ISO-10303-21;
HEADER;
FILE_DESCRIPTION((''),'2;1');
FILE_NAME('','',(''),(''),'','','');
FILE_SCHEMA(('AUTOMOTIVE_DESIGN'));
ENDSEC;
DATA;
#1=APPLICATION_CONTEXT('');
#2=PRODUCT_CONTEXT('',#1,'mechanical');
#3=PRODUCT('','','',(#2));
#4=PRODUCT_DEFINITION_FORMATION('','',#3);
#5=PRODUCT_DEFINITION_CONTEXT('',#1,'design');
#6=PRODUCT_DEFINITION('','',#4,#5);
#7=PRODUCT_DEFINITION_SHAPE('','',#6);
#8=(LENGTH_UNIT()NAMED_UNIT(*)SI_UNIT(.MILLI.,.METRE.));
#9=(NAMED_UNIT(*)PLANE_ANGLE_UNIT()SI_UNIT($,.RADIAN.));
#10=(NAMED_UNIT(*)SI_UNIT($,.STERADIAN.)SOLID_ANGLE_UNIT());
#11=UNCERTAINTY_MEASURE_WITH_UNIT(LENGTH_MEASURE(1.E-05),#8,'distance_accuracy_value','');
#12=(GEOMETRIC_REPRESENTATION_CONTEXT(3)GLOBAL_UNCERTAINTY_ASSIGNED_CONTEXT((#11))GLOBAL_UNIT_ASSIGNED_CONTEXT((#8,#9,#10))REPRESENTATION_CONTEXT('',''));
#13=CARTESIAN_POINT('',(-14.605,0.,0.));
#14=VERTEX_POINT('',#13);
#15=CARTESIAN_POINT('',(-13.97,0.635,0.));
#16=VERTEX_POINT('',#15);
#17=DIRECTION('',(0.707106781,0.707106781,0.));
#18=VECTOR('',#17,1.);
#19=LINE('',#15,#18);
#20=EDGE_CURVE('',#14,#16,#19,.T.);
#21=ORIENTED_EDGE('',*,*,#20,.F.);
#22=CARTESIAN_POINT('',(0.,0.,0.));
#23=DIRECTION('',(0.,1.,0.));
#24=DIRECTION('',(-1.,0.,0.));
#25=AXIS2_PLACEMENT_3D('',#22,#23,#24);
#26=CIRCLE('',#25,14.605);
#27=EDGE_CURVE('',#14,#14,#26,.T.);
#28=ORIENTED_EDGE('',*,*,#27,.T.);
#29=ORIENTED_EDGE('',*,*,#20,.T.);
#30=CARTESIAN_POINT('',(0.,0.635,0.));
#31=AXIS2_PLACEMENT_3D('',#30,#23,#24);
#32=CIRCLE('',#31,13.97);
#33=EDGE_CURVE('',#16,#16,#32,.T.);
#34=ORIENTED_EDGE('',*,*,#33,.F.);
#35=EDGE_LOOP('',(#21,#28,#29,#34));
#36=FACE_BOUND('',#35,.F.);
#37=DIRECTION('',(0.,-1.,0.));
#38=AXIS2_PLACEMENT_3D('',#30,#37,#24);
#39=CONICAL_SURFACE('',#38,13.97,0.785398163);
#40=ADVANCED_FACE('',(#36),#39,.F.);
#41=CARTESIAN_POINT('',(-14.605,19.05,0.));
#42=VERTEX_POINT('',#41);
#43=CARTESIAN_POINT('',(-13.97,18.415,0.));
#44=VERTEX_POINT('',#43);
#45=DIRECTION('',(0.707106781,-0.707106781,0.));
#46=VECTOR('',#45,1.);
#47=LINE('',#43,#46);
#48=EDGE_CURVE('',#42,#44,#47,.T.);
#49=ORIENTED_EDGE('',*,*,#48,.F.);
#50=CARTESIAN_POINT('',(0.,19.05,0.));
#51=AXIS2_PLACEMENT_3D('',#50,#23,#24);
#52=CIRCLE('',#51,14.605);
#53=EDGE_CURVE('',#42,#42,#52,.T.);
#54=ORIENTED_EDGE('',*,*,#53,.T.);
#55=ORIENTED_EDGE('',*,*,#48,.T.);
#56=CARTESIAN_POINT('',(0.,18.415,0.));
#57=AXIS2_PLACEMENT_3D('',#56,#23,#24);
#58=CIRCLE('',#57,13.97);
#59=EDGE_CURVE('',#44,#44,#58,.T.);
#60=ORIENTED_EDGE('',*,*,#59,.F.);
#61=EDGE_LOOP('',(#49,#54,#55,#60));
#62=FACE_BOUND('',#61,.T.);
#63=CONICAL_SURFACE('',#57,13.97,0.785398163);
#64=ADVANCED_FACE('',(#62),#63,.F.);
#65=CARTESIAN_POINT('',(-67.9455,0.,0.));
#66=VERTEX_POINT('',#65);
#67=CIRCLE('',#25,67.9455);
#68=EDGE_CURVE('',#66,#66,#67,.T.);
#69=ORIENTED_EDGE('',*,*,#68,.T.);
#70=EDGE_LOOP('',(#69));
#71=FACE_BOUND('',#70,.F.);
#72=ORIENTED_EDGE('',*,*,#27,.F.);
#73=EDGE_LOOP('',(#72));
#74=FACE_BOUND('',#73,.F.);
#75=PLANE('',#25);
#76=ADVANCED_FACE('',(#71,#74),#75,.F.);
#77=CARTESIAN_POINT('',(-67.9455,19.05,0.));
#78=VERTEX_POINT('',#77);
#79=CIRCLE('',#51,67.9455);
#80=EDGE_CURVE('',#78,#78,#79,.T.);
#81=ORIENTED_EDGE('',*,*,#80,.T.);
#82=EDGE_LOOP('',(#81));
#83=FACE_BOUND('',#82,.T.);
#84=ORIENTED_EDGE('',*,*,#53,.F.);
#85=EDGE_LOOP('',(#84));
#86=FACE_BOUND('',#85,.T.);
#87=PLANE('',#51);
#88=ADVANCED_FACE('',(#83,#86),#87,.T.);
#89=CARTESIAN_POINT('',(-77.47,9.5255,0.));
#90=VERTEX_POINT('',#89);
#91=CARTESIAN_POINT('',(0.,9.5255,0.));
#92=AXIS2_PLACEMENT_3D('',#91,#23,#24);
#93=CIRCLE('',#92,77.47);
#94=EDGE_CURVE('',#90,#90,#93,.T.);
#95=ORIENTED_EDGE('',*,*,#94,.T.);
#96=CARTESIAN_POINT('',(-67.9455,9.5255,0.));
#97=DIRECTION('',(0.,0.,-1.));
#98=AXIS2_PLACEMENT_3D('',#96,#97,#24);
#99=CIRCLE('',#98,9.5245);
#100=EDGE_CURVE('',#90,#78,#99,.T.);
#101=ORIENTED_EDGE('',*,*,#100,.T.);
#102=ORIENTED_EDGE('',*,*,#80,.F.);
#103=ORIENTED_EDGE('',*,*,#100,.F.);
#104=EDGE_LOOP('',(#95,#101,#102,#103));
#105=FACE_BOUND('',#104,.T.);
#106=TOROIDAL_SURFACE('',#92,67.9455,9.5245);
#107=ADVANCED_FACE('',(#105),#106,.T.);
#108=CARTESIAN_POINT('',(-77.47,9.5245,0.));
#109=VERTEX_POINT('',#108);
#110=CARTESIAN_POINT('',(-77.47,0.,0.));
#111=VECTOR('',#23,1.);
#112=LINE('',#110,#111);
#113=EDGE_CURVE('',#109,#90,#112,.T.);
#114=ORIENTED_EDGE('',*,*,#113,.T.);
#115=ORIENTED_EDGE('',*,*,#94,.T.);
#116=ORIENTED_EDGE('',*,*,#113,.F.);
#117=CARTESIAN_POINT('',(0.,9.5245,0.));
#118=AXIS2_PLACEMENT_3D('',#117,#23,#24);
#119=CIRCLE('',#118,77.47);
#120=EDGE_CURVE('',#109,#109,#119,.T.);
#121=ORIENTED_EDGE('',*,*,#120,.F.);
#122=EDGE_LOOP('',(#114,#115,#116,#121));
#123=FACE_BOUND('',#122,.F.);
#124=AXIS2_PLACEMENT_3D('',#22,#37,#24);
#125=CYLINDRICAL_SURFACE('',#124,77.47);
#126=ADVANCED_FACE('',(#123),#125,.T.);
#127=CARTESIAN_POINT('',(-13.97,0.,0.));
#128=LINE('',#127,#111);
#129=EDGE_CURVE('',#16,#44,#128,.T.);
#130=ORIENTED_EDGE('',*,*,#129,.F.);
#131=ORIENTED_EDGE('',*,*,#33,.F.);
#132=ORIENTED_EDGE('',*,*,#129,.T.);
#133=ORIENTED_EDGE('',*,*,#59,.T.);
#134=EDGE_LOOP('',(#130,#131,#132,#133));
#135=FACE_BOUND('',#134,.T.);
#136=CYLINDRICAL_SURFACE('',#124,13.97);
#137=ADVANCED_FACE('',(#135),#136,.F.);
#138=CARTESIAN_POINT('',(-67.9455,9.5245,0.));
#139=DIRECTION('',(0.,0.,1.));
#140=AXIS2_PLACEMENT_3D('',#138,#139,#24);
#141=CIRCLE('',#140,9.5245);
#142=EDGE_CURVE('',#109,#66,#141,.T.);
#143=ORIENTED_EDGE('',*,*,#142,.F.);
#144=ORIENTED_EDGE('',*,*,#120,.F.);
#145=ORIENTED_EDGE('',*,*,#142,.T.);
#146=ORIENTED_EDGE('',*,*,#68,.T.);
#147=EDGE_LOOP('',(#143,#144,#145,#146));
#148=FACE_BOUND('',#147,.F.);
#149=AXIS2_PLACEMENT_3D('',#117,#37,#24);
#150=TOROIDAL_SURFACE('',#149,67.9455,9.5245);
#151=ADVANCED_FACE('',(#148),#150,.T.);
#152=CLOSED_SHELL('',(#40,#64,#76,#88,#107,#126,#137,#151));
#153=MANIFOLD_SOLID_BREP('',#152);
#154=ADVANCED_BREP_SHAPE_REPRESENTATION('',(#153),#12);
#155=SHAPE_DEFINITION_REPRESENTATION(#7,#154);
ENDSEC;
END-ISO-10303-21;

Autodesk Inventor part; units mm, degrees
ref_plane "YZ Plane" through (0, 0, 0) normal (1, 0, 0) x (0, 1, 0)
ref_plane "XZ Plane" through (0, 0, 0) normal (0, 1, 0) x (-1, 0, 0)
ref_plane "XY Plane" through (0, 0, 0) normal (0, 0, 1) x (1, 0, 0)
sketch "Sketch1" plane through (0, 0, 0) normal (0, 1, 0) x (-1, 0, 0)
  circle A0 centre (0, 0) radius 77.47
  circle A1 centre (0, 0) radius 13.97
  dimension "d0" = 154.94
  dimension "d1" = 27.94
extrude "Extrusion1" add sketch "Sketch1" along normal blind 19.05
fillet "Fillet1" radius 9.525 2 edges at (77.47, 19.05, 0) (77.47, 0, 0)
chamfer "Chamfer1" distance 0.635 angle 45 2 edges at (13.97, 19.05, 0) (13.97, 0, 0)
properties part number "5lb_weight" material "Iron, Cast"
